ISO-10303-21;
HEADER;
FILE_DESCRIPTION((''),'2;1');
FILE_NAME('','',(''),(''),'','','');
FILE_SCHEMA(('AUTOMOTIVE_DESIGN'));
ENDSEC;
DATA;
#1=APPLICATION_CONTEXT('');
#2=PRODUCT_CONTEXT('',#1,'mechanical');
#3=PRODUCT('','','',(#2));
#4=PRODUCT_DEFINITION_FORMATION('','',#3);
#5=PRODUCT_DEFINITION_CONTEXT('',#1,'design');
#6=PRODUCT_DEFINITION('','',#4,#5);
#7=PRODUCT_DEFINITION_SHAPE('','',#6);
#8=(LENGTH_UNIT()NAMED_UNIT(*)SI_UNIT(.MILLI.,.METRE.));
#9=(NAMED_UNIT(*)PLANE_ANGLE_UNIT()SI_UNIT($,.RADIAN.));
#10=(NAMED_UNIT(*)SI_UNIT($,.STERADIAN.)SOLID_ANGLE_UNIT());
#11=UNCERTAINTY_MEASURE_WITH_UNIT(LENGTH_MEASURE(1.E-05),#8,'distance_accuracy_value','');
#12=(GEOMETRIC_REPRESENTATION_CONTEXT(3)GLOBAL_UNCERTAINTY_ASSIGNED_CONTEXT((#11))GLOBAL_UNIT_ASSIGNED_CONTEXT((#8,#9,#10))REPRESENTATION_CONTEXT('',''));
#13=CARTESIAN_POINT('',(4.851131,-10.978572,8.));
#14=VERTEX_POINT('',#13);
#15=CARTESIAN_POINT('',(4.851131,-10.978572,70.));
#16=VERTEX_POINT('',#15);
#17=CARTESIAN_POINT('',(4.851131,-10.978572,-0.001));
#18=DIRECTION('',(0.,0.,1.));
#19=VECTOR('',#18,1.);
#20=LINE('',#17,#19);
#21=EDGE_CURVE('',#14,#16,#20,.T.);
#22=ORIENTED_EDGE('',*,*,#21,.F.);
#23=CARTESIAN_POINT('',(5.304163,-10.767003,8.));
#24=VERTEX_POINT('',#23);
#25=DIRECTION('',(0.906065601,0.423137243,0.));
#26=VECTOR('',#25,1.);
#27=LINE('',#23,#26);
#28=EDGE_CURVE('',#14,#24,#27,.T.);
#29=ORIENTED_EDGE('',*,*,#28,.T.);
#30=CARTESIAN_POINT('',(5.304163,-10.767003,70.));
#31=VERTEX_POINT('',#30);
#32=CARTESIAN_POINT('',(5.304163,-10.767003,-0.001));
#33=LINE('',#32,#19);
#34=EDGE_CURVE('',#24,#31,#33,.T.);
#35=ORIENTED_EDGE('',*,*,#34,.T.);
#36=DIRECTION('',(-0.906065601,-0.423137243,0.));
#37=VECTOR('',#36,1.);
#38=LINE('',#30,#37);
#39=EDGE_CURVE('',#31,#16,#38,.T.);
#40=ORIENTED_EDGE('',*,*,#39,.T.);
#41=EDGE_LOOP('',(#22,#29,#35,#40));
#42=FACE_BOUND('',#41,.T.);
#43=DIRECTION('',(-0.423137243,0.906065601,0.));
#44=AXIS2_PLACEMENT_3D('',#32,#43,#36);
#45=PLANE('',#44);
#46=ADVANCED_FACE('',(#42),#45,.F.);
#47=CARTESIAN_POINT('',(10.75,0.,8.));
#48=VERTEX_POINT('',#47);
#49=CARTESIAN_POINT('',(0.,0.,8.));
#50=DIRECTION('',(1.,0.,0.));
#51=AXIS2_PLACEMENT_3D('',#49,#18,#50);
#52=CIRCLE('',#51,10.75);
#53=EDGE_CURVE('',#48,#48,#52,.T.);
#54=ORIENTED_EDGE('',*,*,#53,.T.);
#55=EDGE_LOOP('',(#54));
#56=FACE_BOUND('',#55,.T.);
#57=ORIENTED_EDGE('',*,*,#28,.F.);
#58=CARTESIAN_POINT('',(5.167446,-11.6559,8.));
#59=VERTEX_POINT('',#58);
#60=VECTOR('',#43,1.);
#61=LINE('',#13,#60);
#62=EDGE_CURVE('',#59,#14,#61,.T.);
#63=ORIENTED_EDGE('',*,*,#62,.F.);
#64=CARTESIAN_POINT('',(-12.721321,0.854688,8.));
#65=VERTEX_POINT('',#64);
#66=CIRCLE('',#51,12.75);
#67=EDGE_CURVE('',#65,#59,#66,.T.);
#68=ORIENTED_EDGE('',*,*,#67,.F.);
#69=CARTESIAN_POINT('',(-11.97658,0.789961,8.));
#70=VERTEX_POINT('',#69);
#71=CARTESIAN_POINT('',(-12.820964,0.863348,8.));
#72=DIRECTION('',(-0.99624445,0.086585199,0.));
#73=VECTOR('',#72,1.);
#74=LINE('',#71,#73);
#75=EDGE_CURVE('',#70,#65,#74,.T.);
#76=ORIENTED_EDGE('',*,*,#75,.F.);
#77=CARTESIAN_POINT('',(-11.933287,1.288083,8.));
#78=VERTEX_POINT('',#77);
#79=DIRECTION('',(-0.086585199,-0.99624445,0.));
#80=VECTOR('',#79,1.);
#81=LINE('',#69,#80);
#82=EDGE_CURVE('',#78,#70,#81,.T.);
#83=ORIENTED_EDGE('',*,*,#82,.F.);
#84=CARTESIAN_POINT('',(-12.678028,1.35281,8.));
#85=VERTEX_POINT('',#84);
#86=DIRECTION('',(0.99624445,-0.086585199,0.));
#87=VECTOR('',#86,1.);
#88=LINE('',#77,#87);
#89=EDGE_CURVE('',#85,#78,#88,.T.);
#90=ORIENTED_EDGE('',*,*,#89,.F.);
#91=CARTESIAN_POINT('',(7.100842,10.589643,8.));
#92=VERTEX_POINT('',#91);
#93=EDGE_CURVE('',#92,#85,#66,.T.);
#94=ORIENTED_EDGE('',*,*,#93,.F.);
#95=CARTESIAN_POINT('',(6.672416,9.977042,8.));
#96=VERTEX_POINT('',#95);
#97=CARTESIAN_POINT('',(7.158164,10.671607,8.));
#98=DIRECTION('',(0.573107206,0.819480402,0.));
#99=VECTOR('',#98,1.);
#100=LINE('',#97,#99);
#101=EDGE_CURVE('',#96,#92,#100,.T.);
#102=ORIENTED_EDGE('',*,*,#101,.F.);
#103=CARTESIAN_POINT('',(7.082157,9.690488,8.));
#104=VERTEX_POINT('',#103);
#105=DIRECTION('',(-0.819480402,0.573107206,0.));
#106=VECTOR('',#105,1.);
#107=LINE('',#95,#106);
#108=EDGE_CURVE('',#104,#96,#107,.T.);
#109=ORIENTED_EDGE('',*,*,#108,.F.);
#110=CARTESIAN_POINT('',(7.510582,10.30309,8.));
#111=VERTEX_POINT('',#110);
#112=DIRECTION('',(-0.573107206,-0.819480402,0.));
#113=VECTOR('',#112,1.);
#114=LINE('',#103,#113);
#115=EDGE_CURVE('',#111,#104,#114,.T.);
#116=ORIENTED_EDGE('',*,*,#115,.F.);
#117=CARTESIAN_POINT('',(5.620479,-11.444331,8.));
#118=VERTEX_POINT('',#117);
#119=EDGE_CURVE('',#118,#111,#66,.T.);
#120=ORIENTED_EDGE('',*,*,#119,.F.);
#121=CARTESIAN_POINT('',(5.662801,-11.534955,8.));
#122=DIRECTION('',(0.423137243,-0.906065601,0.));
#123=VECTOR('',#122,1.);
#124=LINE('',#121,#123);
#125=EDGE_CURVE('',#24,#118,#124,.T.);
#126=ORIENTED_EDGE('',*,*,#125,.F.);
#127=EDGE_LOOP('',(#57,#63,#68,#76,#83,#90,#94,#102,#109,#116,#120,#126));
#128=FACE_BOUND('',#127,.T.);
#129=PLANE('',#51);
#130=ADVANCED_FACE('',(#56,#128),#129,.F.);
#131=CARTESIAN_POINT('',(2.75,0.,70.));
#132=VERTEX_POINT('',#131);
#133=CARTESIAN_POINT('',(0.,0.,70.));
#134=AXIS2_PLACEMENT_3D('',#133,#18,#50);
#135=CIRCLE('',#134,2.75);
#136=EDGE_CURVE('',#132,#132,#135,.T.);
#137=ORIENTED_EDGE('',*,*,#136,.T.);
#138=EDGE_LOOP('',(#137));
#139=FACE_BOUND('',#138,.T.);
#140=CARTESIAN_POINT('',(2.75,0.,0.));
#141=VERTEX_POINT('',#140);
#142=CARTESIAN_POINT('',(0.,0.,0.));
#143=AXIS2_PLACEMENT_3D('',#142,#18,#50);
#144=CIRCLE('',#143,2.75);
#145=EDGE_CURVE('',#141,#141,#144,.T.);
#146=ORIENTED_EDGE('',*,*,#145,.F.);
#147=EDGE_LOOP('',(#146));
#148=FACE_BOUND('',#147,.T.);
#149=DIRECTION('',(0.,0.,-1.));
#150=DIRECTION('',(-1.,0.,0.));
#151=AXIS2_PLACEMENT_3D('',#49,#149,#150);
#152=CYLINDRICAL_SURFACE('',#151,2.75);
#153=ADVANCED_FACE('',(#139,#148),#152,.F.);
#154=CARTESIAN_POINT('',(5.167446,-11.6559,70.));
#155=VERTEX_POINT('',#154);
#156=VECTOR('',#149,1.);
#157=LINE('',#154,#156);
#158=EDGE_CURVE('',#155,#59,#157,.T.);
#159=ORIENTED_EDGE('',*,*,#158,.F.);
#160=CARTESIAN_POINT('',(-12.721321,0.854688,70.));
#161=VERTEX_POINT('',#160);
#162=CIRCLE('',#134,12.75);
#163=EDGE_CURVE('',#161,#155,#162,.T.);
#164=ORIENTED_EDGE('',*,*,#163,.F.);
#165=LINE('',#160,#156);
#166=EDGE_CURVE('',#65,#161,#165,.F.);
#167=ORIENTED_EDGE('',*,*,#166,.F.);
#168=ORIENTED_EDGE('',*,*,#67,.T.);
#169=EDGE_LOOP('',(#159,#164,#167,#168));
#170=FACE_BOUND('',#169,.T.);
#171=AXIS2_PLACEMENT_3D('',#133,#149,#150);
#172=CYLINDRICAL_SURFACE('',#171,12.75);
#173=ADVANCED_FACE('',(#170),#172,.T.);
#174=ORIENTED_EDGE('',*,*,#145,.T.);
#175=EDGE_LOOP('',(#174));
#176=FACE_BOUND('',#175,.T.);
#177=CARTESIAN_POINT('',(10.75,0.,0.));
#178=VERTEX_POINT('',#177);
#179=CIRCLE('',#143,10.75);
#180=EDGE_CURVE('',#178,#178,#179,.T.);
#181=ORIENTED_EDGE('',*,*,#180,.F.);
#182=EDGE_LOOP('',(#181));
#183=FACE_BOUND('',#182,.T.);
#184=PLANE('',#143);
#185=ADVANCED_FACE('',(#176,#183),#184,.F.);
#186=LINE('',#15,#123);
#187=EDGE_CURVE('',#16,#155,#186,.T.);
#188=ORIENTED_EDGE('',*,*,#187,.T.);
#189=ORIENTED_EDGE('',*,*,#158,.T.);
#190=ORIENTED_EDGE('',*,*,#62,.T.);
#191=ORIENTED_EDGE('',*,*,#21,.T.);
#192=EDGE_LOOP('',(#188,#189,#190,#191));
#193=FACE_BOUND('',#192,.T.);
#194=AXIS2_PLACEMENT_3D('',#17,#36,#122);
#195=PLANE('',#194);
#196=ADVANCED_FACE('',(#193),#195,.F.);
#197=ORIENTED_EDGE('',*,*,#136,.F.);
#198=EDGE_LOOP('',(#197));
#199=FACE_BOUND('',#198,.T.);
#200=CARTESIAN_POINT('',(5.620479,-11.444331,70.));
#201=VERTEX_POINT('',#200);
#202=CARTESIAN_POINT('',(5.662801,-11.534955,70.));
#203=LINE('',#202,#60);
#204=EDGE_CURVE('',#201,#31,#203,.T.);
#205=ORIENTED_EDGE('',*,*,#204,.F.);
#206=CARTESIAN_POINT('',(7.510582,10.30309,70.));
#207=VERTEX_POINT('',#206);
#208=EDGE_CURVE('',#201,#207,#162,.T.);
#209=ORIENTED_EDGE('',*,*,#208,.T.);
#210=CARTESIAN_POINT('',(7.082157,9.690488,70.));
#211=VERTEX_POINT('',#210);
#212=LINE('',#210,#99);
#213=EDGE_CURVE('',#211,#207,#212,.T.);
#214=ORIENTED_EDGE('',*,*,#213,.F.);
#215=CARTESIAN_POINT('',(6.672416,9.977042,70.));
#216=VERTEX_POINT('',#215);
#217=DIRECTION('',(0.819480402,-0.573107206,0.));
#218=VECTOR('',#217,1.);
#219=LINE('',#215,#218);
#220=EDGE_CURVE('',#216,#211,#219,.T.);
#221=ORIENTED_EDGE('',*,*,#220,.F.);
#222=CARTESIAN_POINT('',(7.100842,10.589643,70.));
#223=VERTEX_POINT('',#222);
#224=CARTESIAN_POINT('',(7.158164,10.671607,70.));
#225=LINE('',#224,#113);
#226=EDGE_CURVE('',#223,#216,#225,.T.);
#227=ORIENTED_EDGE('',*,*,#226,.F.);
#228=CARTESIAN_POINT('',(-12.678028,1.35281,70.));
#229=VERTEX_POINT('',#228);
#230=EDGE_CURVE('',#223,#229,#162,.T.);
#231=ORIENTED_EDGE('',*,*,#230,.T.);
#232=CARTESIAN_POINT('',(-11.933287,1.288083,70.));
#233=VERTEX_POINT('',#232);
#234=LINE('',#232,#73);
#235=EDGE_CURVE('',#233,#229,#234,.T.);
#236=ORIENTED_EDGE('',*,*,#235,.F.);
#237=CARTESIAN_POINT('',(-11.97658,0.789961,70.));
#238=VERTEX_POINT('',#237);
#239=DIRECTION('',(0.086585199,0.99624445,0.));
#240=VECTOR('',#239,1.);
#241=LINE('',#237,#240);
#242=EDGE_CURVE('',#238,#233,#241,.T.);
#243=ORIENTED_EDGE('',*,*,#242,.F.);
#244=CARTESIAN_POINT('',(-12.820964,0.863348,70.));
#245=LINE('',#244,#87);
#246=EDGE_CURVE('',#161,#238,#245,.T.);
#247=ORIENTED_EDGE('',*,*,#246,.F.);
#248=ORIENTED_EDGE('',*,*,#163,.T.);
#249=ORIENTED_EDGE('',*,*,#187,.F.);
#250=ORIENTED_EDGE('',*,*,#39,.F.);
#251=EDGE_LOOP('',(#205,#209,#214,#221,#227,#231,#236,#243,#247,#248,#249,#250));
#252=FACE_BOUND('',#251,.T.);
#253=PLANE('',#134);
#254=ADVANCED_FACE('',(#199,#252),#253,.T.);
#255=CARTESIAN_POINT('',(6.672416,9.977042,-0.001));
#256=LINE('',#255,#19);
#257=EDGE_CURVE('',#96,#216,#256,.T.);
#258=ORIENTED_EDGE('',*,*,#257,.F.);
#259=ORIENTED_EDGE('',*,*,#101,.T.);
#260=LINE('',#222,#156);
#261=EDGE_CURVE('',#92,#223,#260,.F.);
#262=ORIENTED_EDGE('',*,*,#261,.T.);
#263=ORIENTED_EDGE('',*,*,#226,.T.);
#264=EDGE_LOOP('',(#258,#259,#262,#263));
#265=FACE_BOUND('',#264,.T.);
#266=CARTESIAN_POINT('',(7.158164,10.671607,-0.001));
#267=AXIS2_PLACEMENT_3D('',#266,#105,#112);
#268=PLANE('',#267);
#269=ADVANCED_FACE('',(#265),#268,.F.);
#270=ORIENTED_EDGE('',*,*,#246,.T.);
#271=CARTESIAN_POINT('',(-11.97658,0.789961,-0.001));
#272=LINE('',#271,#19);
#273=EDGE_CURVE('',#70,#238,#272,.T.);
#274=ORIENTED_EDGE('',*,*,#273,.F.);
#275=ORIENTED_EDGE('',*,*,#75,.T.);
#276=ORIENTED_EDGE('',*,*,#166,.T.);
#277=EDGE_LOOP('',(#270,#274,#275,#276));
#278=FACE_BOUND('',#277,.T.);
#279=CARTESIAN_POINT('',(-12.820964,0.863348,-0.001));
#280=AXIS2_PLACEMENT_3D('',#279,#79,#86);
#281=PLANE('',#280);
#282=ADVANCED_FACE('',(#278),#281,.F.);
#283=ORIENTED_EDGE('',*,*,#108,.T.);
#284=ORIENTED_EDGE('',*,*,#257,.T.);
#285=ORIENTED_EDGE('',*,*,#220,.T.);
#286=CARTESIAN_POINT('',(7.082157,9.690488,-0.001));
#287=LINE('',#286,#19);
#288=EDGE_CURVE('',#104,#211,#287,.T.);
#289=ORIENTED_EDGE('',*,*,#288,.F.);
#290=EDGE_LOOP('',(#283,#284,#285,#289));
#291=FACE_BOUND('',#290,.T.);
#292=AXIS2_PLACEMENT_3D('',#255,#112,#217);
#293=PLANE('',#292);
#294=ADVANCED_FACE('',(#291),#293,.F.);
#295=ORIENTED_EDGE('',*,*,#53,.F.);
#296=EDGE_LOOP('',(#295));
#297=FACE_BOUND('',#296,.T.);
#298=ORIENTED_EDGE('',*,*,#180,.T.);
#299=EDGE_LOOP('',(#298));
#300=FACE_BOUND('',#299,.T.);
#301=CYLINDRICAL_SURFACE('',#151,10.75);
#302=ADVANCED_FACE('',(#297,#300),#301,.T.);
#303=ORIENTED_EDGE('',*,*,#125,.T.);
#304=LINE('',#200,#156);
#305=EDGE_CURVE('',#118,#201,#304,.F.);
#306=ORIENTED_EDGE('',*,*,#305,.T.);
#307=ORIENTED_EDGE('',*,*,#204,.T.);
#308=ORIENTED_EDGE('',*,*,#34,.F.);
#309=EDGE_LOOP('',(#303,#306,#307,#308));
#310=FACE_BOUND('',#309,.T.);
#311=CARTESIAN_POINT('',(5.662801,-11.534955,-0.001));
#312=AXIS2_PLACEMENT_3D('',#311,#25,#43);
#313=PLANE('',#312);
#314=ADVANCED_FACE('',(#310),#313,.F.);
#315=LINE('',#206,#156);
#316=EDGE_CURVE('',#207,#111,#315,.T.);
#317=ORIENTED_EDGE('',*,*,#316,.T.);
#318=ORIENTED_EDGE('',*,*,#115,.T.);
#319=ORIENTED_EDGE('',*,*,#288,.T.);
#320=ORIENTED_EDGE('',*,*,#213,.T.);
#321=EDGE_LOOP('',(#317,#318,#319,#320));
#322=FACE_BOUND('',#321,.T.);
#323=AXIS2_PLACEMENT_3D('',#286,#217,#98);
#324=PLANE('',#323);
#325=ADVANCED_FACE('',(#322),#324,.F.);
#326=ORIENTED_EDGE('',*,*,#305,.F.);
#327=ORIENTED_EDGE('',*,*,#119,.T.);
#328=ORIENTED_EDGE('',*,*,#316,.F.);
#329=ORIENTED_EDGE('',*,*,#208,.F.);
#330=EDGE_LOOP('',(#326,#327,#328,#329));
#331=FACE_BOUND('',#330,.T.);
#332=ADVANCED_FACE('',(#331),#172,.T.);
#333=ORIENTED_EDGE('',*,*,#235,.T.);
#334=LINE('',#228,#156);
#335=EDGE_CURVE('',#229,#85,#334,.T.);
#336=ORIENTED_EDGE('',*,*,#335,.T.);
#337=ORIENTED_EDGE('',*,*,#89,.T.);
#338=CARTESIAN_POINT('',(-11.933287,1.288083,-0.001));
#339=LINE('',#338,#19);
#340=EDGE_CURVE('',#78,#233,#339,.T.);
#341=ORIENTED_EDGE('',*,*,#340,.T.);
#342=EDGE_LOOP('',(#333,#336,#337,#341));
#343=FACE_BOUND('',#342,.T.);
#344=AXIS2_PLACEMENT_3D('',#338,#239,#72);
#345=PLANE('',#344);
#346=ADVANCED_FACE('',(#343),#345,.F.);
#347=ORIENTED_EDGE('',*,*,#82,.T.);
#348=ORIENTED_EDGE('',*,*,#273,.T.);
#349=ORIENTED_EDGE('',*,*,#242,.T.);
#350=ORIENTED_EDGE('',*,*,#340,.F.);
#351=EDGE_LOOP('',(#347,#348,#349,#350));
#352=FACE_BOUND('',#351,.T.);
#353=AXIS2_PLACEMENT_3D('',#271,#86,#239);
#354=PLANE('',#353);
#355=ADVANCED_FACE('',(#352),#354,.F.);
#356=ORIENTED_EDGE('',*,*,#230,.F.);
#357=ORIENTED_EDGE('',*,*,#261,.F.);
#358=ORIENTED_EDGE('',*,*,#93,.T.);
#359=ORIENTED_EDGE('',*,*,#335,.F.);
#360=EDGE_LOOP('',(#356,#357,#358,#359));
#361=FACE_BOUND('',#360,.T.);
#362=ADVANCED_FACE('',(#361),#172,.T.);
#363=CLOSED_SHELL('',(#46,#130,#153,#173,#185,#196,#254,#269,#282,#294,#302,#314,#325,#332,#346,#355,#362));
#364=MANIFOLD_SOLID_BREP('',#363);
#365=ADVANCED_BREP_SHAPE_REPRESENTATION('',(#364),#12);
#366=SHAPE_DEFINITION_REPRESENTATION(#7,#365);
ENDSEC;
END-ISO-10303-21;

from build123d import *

# Parameters (mm, degrees)
ESQUISSE1_R             = 10.75
ESQUISSE1_R_2           = 2.75
BASE_EXTRUSION_DEPTH    = 8
ESQUISSE2_R             = 12.75
ESQUISSE2_R_2           = 2.75
BOSS_EXTRU_1_DEPTH      = 62
ENL_V_MAT_EXTRU_1_REACH = 74.285


with BuildPart() as part:
    # Esquisse1 → Base-Extrusion (new body)
    with BuildSketch(Plane.XY):
        Circle(ESQUISSE1_R)
        Circle(ESQUISSE1_R_2, mode=Mode.SUBTRACT)
    extrude(amount=BASE_EXTRUSION_DEPTH)

    # Esquisse2 → Boss.-Extru.1 (add)
    with BuildSketch(Plane.XY.offset(8)):
        Circle(ESQUISSE2_R)
        Circle(ESQUISSE2_R_2, mode=Mode.SUBTRACT)
    extrude(amount=BOSS_EXTRU_1_DEPTH)

    # Esquisse4 → Enlèv. mat.-Extru.1 (cut, up to next)
    with BuildSketch(Plane.XY.offset(70), mode=Mode.PRIVATE) as enl_v_mat_extru_1_sk1:
        with BuildLine():
            Line((7.158163625, 10.671606885), (6.672416375, 9.977041632))
            Line((6.672416375, 9.977041632), (7.082156576, 9.690488028))
            Line((7.082156576, 9.690488028), (7.567903827, 10.385053282))
            ThreePointArc((7.567903827, 10.385053282), (7.364427601, 10.530323172), (7.158163625, 10.671606885))
        make_face()
    enl_v_mat_extru_1_tool1 = extrude(enl_v_mat_extru_1_sk1.sketch, amount=-ENL_V_MAT_EXTRU_1_REACH, mode=Mode.PRIVATE) & part.part
    # Esquisse4 → Enlèv. mat.-Extru.1 (cut, up to next)
    with BuildSketch(Plane.XY.offset(70), mode=Mode.PRIVATE) as enl_v_mat_extru_1_sk2:
        with BuildLine():
            Line((5.662800849, -11.534954987), (5.30416332, -10.767002901))
            Line((5.30416332, -10.767002901), (4.851130519, -10.978571523))
            Line((4.851130519, -10.978571523), (5.209768049, -11.746523608))
            ThreePointArc((5.209768049, -11.746523608), (5.437313576, -11.642942973), (5.662800849, -11.534954987))
        make_face()
    enl_v_mat_extru_1_tool2 = extrude(enl_v_mat_extru_1_sk2.sketch, amount=-ENL_V_MAT_EXTRU_1_REACH, mode=Mode.PRIVATE) & part.part
    # Esquisse4 → Enlèv. mat.-Extru.1 (cut, up to next)
    with BuildSketch(Plane.XY.offset(70), mode=Mode.PRIVATE) as enl_v_mat_extru_1_sk3:
        with BuildLine():
            Line((-12.820964474, 0.863348101), (-11.976579695, 0.78996127))
            Line((-11.976579695, 0.78996127), (-11.933287096, 1.288083495))
            Line((-11.933287096, 1.288083495), (-12.777671875, 1.361470326))
            ThreePointArc((-12.777671875, 1.361470326), (-12.801741178, 1.112619801), (-12.820964474, 0.863348101))
        make_face()
    enl_v_mat_extru_1_tool3 = extrude(enl_v_mat_extru_1_sk3.sketch, amount=-ENL_V_MAT_EXTRU_1_REACH, mode=Mode.PRIVATE) & part.part
    add(enl_v_mat_extru_1_tool1.solids().sort_by_distance((7.120625, 10.181712, 70))[0], mode=Mode.SUBTRACT)
    add(enl_v_mat_extru_1_tool2.solids().sort_by_distance((5.257309, -11.257498, 70))[0], mode=Mode.SUBTRACT)
    add(enl_v_mat_extru_1_tool3.solids().sort_by_distance((-12.377934, 1.075786, 70))[0], mode=Mode.SUBTRACT)


solid = part.part
